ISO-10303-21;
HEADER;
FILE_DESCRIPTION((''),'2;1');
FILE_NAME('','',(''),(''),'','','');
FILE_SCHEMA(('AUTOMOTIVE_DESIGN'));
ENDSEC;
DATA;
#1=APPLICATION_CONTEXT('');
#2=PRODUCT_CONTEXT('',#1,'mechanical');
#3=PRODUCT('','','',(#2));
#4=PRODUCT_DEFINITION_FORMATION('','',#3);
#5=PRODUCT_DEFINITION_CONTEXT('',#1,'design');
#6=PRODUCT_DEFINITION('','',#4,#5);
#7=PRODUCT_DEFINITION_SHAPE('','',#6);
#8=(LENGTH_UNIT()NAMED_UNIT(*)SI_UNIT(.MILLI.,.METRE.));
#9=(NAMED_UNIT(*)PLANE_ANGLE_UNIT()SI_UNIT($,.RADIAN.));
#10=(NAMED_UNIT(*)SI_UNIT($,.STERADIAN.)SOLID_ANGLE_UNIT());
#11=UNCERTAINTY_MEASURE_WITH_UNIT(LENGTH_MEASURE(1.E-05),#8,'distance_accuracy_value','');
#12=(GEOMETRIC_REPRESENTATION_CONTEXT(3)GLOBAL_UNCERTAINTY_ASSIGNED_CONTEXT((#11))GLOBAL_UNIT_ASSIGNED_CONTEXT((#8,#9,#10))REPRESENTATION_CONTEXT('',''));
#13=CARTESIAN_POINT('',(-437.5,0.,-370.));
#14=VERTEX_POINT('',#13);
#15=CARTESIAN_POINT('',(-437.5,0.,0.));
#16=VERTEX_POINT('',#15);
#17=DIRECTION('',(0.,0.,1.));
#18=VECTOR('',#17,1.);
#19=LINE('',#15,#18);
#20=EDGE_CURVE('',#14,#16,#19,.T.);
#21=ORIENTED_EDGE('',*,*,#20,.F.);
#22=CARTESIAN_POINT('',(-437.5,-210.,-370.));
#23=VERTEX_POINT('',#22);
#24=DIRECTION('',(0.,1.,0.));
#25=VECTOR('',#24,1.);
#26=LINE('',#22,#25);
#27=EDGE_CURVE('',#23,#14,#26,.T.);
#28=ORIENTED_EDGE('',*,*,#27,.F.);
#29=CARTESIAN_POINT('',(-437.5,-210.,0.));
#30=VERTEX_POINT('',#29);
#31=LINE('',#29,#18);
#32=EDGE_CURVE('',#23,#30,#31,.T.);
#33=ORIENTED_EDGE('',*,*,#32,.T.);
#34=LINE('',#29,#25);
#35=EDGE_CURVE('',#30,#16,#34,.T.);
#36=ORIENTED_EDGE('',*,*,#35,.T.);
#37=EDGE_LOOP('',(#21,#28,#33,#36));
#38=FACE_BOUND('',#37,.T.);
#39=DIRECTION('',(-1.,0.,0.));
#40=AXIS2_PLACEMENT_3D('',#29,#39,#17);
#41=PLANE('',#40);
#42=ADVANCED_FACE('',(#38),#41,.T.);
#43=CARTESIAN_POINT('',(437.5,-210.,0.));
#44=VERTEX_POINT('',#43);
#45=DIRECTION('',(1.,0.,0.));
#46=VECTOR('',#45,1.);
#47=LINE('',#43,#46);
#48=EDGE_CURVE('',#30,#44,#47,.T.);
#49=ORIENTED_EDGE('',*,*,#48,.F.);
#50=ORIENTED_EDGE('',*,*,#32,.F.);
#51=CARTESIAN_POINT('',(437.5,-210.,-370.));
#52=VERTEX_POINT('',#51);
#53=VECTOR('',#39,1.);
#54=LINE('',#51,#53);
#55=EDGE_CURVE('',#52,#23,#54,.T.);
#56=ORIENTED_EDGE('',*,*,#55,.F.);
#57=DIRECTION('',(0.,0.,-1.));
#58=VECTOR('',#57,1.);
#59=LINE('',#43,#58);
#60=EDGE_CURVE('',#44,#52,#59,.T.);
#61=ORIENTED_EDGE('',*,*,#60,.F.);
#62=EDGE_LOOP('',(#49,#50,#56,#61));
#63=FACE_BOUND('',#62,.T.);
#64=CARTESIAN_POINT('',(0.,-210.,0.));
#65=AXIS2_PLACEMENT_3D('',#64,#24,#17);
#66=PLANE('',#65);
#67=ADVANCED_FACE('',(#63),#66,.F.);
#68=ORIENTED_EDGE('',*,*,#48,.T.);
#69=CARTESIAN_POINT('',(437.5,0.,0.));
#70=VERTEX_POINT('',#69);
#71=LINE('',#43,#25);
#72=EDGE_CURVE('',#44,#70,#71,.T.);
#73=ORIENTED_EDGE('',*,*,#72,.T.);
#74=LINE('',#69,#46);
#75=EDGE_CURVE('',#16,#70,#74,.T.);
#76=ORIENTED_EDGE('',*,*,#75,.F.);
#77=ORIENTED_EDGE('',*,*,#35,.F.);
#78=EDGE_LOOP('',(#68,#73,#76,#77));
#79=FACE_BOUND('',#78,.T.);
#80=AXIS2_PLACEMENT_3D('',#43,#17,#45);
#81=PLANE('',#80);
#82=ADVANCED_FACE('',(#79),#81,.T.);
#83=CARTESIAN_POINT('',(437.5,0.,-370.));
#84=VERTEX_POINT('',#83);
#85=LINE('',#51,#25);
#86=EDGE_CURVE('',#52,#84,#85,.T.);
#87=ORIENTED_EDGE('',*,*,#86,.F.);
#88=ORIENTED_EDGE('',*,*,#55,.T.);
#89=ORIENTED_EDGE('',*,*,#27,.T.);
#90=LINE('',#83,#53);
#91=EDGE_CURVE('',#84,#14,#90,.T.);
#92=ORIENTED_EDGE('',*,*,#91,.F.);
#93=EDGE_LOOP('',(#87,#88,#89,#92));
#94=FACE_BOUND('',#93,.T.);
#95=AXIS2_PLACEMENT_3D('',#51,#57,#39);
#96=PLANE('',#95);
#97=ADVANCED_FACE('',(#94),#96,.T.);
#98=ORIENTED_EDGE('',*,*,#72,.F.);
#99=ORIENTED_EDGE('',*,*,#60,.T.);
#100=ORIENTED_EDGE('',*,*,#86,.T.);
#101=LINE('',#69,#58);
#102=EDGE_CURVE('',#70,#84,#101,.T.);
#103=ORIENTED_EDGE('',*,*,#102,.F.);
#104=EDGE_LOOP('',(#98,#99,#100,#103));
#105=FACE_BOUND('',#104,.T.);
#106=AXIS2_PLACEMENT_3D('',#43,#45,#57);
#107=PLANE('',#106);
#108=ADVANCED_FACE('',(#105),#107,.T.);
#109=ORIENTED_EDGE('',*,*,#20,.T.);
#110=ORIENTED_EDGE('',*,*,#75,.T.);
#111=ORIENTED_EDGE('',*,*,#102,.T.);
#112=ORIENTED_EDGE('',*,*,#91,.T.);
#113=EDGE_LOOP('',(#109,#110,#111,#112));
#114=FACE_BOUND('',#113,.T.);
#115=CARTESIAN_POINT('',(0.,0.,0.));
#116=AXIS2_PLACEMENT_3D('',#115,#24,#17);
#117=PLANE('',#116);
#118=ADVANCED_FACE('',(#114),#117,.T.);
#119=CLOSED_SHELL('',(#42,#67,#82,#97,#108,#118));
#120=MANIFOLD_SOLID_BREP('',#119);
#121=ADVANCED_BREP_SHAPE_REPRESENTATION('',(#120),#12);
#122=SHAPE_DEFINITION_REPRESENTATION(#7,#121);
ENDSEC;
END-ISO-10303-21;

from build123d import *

# Parameters (mm, degrees)
SKETCH1_W           = 875
SKETCH1_H           = 370
BOSS_EXTRUDE1_DEPTH = 210


with BuildPart() as part:
    # Sketch1 → Boss-Extrude1 (new body)
    with BuildSketch(Plane(origin=(0, 0, 0), x_dir=(1, 0, 0), z_dir=(0, 1, 0))):
        with Locations((0, 185)):
            Rectangle(SKETCH1_W, SKETCH1_H)
    extrude(amount=-BOSS_EXTRUDE1_DEPTH)


solid = part.part
